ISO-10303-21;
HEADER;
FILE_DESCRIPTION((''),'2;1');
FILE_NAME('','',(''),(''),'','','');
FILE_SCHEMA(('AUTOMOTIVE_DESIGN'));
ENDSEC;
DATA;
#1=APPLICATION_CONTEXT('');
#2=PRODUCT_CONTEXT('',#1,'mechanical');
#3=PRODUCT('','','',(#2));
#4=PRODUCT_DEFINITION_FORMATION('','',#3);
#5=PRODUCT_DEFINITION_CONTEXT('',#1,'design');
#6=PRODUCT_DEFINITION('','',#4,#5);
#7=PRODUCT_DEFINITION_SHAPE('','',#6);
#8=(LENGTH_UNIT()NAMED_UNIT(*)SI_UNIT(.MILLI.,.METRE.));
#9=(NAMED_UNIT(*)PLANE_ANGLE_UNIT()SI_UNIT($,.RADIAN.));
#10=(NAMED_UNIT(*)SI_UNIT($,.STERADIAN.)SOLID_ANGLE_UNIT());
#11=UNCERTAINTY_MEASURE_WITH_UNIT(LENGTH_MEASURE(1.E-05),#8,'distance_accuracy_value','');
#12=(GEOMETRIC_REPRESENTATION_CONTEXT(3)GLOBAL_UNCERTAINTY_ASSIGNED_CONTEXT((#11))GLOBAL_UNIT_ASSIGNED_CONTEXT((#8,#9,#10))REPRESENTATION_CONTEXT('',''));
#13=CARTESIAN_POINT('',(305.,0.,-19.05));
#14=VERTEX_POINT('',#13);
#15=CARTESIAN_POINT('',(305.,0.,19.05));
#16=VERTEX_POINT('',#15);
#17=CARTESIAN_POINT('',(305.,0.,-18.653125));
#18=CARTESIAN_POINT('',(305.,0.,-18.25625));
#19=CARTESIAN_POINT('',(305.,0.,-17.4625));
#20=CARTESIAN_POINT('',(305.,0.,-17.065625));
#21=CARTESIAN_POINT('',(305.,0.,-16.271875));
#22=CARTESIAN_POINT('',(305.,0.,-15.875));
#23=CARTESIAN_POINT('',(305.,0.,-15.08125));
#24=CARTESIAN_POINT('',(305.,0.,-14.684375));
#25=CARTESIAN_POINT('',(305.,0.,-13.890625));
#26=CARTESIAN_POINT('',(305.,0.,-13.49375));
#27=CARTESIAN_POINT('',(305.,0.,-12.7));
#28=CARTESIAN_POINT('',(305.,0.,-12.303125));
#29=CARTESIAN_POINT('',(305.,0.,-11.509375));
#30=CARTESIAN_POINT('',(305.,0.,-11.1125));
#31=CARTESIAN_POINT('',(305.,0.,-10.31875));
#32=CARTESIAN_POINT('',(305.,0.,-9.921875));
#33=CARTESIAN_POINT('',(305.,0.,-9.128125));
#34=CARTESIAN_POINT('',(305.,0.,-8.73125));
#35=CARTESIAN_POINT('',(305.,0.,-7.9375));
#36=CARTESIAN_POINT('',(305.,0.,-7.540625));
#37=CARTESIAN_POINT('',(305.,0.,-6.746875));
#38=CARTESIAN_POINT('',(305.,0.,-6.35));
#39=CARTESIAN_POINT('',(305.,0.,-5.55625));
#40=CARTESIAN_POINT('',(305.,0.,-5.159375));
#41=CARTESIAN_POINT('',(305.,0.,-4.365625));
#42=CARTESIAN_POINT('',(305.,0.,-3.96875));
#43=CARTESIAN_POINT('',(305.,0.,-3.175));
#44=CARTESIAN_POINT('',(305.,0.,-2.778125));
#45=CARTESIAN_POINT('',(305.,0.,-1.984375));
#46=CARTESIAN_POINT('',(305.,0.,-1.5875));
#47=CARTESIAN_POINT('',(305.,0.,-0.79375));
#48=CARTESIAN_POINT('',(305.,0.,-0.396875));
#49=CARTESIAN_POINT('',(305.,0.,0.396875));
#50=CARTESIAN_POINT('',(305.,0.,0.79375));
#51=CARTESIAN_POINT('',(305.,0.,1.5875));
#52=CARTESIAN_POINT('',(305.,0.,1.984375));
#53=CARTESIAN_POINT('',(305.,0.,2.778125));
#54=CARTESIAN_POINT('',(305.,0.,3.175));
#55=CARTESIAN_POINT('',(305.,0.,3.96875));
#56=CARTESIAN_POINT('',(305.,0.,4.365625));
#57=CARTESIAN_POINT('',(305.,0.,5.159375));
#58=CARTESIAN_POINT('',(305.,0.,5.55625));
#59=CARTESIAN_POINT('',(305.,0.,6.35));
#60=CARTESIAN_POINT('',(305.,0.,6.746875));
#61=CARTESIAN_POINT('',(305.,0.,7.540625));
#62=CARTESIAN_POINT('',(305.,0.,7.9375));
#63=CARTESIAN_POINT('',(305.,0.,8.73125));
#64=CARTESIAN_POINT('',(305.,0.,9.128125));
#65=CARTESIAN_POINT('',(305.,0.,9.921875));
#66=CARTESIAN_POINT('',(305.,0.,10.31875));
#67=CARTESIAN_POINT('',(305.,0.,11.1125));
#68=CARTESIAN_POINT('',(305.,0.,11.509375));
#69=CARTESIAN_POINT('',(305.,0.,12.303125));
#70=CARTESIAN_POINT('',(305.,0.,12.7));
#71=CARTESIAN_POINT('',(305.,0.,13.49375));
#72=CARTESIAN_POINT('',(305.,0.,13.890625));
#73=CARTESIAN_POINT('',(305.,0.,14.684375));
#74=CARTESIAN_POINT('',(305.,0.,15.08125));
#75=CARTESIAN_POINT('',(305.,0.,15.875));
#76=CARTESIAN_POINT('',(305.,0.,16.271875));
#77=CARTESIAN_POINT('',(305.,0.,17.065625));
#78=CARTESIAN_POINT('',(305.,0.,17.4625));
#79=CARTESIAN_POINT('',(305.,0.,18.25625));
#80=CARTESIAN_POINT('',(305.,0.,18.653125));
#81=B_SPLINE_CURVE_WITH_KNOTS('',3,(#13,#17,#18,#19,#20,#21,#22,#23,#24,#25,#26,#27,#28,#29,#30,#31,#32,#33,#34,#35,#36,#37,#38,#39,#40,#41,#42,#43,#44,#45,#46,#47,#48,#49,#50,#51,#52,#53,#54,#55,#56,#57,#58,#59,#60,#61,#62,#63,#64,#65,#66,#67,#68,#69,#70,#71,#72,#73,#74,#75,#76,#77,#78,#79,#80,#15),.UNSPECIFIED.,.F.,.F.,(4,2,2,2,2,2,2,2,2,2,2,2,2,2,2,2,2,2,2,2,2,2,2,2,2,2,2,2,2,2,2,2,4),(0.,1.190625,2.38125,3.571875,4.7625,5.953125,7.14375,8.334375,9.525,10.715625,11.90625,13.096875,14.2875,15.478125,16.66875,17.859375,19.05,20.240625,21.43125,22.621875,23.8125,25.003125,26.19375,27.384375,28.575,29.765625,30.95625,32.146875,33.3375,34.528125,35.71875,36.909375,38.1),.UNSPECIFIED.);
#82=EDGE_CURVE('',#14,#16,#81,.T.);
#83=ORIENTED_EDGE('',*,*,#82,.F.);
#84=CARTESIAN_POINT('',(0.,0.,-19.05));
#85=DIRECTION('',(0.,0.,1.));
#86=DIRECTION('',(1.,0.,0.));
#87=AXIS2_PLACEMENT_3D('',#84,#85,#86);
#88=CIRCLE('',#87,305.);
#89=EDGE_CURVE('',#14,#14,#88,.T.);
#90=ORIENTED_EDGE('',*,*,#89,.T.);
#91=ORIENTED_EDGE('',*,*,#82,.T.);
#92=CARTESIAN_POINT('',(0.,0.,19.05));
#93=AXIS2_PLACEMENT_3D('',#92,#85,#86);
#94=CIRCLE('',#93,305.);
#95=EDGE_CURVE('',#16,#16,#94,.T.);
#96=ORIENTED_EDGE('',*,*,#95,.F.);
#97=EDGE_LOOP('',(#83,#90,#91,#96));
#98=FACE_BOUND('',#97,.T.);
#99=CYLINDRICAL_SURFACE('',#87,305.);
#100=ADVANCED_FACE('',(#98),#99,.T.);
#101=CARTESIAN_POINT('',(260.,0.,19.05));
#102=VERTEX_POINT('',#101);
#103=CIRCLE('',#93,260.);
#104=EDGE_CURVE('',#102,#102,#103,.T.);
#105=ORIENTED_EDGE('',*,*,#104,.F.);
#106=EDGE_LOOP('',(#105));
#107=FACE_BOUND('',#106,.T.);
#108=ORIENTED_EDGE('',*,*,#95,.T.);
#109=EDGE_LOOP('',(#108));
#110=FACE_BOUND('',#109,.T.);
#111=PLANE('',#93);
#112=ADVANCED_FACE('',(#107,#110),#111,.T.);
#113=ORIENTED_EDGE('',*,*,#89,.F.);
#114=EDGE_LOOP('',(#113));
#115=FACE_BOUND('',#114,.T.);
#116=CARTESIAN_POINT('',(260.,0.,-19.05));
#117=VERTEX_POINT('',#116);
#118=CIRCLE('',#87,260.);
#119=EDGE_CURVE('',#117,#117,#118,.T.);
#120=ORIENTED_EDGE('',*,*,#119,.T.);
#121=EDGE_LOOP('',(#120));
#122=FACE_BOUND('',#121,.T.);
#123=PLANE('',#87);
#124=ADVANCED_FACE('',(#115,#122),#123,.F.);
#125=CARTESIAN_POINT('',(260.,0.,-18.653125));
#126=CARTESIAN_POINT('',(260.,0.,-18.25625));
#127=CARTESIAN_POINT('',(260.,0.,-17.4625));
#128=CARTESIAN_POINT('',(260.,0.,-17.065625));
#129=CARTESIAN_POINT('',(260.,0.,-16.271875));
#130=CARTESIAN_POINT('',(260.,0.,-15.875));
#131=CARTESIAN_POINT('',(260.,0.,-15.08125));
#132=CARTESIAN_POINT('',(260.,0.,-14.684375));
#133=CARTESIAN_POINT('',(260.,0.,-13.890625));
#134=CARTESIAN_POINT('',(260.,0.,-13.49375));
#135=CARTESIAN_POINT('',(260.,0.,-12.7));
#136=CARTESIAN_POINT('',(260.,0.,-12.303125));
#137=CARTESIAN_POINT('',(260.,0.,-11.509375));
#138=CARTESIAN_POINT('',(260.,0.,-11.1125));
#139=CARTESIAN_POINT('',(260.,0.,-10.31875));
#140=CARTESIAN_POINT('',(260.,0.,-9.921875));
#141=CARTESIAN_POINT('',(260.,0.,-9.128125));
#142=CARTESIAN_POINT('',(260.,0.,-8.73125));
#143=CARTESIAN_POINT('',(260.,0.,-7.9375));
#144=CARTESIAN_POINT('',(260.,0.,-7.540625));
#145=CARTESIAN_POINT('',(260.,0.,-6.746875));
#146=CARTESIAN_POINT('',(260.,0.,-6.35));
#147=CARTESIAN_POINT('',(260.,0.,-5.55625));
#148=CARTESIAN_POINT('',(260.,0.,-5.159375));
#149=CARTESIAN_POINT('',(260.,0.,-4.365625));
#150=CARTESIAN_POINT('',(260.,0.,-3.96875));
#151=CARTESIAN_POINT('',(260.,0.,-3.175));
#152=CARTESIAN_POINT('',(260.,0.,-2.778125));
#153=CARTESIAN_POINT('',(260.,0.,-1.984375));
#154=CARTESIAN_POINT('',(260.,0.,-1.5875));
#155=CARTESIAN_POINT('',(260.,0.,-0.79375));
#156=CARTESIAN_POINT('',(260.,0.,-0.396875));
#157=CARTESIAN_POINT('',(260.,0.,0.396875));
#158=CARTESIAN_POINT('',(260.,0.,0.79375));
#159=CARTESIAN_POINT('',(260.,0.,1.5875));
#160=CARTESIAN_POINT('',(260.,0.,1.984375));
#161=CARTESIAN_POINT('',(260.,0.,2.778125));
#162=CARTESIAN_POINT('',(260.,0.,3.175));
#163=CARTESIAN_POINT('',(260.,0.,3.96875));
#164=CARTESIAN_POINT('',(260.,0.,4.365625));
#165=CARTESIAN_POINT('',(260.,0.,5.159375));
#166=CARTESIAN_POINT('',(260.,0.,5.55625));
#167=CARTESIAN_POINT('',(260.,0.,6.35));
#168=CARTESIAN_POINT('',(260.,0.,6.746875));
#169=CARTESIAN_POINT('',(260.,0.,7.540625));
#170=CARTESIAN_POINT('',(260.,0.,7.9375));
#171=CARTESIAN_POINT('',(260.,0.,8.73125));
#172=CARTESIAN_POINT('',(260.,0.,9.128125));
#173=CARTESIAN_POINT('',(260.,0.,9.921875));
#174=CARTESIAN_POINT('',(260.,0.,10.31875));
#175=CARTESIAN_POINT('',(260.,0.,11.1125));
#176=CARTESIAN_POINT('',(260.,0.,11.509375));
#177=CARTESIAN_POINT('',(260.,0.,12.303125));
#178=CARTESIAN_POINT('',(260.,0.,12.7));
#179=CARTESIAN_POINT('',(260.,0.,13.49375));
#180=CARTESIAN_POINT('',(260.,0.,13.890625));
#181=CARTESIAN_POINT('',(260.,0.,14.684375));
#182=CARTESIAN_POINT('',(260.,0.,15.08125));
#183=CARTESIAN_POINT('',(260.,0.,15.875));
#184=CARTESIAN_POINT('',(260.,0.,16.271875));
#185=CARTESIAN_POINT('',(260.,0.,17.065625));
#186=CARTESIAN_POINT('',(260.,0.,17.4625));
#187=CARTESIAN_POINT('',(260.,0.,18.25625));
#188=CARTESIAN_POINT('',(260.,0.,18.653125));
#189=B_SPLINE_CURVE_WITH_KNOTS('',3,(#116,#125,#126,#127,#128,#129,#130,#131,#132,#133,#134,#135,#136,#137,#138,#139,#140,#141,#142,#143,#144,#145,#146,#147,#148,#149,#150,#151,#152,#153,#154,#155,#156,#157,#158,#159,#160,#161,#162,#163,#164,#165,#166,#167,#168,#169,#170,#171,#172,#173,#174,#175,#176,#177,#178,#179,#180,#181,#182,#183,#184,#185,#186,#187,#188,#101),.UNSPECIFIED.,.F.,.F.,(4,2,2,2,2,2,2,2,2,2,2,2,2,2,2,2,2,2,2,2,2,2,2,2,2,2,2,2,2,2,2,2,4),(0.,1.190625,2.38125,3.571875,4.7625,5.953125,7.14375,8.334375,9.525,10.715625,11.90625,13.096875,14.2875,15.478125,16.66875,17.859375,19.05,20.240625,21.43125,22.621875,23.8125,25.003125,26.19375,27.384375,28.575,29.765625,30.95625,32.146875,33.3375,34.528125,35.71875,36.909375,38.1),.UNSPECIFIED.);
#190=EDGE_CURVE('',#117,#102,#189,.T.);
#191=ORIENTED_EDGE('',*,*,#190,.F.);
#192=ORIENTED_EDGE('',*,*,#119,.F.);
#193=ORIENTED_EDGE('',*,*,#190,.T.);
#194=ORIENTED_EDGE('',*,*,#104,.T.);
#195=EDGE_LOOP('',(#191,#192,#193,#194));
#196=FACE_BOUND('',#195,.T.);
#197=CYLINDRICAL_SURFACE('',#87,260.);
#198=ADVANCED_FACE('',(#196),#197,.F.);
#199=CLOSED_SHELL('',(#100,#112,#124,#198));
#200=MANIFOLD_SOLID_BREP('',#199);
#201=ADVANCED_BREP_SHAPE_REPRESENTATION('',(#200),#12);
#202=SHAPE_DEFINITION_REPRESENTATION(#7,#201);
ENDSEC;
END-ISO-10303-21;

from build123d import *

# Parameters (mm, degrees)
BOSS_EXTRUDE1_DEPTH      = 19.05
BOSS_EXTRUDE1_DEPTH_BACK = 19.05
SKETCH1_R                = 305
SKETCH1_R_2              = 260


with BuildPart() as part:
    # Sketch1 → Boss-Extrude1 (new, two sides: drawn at the far end of the back side and taken through both)
    with BuildSketch(Plane.XY.offset(-BOSS_EXTRUDE1_DEPTH_BACK)):
        Circle(SKETCH1_R)
        Circle(SKETCH1_R_2, mode=Mode.SUBTRACT)
    extrude(amount=BOSS_EXTRUDE1_DEPTH + BOSS_EXTRUDE1_DEPTH_BACK)


solid = part.part
